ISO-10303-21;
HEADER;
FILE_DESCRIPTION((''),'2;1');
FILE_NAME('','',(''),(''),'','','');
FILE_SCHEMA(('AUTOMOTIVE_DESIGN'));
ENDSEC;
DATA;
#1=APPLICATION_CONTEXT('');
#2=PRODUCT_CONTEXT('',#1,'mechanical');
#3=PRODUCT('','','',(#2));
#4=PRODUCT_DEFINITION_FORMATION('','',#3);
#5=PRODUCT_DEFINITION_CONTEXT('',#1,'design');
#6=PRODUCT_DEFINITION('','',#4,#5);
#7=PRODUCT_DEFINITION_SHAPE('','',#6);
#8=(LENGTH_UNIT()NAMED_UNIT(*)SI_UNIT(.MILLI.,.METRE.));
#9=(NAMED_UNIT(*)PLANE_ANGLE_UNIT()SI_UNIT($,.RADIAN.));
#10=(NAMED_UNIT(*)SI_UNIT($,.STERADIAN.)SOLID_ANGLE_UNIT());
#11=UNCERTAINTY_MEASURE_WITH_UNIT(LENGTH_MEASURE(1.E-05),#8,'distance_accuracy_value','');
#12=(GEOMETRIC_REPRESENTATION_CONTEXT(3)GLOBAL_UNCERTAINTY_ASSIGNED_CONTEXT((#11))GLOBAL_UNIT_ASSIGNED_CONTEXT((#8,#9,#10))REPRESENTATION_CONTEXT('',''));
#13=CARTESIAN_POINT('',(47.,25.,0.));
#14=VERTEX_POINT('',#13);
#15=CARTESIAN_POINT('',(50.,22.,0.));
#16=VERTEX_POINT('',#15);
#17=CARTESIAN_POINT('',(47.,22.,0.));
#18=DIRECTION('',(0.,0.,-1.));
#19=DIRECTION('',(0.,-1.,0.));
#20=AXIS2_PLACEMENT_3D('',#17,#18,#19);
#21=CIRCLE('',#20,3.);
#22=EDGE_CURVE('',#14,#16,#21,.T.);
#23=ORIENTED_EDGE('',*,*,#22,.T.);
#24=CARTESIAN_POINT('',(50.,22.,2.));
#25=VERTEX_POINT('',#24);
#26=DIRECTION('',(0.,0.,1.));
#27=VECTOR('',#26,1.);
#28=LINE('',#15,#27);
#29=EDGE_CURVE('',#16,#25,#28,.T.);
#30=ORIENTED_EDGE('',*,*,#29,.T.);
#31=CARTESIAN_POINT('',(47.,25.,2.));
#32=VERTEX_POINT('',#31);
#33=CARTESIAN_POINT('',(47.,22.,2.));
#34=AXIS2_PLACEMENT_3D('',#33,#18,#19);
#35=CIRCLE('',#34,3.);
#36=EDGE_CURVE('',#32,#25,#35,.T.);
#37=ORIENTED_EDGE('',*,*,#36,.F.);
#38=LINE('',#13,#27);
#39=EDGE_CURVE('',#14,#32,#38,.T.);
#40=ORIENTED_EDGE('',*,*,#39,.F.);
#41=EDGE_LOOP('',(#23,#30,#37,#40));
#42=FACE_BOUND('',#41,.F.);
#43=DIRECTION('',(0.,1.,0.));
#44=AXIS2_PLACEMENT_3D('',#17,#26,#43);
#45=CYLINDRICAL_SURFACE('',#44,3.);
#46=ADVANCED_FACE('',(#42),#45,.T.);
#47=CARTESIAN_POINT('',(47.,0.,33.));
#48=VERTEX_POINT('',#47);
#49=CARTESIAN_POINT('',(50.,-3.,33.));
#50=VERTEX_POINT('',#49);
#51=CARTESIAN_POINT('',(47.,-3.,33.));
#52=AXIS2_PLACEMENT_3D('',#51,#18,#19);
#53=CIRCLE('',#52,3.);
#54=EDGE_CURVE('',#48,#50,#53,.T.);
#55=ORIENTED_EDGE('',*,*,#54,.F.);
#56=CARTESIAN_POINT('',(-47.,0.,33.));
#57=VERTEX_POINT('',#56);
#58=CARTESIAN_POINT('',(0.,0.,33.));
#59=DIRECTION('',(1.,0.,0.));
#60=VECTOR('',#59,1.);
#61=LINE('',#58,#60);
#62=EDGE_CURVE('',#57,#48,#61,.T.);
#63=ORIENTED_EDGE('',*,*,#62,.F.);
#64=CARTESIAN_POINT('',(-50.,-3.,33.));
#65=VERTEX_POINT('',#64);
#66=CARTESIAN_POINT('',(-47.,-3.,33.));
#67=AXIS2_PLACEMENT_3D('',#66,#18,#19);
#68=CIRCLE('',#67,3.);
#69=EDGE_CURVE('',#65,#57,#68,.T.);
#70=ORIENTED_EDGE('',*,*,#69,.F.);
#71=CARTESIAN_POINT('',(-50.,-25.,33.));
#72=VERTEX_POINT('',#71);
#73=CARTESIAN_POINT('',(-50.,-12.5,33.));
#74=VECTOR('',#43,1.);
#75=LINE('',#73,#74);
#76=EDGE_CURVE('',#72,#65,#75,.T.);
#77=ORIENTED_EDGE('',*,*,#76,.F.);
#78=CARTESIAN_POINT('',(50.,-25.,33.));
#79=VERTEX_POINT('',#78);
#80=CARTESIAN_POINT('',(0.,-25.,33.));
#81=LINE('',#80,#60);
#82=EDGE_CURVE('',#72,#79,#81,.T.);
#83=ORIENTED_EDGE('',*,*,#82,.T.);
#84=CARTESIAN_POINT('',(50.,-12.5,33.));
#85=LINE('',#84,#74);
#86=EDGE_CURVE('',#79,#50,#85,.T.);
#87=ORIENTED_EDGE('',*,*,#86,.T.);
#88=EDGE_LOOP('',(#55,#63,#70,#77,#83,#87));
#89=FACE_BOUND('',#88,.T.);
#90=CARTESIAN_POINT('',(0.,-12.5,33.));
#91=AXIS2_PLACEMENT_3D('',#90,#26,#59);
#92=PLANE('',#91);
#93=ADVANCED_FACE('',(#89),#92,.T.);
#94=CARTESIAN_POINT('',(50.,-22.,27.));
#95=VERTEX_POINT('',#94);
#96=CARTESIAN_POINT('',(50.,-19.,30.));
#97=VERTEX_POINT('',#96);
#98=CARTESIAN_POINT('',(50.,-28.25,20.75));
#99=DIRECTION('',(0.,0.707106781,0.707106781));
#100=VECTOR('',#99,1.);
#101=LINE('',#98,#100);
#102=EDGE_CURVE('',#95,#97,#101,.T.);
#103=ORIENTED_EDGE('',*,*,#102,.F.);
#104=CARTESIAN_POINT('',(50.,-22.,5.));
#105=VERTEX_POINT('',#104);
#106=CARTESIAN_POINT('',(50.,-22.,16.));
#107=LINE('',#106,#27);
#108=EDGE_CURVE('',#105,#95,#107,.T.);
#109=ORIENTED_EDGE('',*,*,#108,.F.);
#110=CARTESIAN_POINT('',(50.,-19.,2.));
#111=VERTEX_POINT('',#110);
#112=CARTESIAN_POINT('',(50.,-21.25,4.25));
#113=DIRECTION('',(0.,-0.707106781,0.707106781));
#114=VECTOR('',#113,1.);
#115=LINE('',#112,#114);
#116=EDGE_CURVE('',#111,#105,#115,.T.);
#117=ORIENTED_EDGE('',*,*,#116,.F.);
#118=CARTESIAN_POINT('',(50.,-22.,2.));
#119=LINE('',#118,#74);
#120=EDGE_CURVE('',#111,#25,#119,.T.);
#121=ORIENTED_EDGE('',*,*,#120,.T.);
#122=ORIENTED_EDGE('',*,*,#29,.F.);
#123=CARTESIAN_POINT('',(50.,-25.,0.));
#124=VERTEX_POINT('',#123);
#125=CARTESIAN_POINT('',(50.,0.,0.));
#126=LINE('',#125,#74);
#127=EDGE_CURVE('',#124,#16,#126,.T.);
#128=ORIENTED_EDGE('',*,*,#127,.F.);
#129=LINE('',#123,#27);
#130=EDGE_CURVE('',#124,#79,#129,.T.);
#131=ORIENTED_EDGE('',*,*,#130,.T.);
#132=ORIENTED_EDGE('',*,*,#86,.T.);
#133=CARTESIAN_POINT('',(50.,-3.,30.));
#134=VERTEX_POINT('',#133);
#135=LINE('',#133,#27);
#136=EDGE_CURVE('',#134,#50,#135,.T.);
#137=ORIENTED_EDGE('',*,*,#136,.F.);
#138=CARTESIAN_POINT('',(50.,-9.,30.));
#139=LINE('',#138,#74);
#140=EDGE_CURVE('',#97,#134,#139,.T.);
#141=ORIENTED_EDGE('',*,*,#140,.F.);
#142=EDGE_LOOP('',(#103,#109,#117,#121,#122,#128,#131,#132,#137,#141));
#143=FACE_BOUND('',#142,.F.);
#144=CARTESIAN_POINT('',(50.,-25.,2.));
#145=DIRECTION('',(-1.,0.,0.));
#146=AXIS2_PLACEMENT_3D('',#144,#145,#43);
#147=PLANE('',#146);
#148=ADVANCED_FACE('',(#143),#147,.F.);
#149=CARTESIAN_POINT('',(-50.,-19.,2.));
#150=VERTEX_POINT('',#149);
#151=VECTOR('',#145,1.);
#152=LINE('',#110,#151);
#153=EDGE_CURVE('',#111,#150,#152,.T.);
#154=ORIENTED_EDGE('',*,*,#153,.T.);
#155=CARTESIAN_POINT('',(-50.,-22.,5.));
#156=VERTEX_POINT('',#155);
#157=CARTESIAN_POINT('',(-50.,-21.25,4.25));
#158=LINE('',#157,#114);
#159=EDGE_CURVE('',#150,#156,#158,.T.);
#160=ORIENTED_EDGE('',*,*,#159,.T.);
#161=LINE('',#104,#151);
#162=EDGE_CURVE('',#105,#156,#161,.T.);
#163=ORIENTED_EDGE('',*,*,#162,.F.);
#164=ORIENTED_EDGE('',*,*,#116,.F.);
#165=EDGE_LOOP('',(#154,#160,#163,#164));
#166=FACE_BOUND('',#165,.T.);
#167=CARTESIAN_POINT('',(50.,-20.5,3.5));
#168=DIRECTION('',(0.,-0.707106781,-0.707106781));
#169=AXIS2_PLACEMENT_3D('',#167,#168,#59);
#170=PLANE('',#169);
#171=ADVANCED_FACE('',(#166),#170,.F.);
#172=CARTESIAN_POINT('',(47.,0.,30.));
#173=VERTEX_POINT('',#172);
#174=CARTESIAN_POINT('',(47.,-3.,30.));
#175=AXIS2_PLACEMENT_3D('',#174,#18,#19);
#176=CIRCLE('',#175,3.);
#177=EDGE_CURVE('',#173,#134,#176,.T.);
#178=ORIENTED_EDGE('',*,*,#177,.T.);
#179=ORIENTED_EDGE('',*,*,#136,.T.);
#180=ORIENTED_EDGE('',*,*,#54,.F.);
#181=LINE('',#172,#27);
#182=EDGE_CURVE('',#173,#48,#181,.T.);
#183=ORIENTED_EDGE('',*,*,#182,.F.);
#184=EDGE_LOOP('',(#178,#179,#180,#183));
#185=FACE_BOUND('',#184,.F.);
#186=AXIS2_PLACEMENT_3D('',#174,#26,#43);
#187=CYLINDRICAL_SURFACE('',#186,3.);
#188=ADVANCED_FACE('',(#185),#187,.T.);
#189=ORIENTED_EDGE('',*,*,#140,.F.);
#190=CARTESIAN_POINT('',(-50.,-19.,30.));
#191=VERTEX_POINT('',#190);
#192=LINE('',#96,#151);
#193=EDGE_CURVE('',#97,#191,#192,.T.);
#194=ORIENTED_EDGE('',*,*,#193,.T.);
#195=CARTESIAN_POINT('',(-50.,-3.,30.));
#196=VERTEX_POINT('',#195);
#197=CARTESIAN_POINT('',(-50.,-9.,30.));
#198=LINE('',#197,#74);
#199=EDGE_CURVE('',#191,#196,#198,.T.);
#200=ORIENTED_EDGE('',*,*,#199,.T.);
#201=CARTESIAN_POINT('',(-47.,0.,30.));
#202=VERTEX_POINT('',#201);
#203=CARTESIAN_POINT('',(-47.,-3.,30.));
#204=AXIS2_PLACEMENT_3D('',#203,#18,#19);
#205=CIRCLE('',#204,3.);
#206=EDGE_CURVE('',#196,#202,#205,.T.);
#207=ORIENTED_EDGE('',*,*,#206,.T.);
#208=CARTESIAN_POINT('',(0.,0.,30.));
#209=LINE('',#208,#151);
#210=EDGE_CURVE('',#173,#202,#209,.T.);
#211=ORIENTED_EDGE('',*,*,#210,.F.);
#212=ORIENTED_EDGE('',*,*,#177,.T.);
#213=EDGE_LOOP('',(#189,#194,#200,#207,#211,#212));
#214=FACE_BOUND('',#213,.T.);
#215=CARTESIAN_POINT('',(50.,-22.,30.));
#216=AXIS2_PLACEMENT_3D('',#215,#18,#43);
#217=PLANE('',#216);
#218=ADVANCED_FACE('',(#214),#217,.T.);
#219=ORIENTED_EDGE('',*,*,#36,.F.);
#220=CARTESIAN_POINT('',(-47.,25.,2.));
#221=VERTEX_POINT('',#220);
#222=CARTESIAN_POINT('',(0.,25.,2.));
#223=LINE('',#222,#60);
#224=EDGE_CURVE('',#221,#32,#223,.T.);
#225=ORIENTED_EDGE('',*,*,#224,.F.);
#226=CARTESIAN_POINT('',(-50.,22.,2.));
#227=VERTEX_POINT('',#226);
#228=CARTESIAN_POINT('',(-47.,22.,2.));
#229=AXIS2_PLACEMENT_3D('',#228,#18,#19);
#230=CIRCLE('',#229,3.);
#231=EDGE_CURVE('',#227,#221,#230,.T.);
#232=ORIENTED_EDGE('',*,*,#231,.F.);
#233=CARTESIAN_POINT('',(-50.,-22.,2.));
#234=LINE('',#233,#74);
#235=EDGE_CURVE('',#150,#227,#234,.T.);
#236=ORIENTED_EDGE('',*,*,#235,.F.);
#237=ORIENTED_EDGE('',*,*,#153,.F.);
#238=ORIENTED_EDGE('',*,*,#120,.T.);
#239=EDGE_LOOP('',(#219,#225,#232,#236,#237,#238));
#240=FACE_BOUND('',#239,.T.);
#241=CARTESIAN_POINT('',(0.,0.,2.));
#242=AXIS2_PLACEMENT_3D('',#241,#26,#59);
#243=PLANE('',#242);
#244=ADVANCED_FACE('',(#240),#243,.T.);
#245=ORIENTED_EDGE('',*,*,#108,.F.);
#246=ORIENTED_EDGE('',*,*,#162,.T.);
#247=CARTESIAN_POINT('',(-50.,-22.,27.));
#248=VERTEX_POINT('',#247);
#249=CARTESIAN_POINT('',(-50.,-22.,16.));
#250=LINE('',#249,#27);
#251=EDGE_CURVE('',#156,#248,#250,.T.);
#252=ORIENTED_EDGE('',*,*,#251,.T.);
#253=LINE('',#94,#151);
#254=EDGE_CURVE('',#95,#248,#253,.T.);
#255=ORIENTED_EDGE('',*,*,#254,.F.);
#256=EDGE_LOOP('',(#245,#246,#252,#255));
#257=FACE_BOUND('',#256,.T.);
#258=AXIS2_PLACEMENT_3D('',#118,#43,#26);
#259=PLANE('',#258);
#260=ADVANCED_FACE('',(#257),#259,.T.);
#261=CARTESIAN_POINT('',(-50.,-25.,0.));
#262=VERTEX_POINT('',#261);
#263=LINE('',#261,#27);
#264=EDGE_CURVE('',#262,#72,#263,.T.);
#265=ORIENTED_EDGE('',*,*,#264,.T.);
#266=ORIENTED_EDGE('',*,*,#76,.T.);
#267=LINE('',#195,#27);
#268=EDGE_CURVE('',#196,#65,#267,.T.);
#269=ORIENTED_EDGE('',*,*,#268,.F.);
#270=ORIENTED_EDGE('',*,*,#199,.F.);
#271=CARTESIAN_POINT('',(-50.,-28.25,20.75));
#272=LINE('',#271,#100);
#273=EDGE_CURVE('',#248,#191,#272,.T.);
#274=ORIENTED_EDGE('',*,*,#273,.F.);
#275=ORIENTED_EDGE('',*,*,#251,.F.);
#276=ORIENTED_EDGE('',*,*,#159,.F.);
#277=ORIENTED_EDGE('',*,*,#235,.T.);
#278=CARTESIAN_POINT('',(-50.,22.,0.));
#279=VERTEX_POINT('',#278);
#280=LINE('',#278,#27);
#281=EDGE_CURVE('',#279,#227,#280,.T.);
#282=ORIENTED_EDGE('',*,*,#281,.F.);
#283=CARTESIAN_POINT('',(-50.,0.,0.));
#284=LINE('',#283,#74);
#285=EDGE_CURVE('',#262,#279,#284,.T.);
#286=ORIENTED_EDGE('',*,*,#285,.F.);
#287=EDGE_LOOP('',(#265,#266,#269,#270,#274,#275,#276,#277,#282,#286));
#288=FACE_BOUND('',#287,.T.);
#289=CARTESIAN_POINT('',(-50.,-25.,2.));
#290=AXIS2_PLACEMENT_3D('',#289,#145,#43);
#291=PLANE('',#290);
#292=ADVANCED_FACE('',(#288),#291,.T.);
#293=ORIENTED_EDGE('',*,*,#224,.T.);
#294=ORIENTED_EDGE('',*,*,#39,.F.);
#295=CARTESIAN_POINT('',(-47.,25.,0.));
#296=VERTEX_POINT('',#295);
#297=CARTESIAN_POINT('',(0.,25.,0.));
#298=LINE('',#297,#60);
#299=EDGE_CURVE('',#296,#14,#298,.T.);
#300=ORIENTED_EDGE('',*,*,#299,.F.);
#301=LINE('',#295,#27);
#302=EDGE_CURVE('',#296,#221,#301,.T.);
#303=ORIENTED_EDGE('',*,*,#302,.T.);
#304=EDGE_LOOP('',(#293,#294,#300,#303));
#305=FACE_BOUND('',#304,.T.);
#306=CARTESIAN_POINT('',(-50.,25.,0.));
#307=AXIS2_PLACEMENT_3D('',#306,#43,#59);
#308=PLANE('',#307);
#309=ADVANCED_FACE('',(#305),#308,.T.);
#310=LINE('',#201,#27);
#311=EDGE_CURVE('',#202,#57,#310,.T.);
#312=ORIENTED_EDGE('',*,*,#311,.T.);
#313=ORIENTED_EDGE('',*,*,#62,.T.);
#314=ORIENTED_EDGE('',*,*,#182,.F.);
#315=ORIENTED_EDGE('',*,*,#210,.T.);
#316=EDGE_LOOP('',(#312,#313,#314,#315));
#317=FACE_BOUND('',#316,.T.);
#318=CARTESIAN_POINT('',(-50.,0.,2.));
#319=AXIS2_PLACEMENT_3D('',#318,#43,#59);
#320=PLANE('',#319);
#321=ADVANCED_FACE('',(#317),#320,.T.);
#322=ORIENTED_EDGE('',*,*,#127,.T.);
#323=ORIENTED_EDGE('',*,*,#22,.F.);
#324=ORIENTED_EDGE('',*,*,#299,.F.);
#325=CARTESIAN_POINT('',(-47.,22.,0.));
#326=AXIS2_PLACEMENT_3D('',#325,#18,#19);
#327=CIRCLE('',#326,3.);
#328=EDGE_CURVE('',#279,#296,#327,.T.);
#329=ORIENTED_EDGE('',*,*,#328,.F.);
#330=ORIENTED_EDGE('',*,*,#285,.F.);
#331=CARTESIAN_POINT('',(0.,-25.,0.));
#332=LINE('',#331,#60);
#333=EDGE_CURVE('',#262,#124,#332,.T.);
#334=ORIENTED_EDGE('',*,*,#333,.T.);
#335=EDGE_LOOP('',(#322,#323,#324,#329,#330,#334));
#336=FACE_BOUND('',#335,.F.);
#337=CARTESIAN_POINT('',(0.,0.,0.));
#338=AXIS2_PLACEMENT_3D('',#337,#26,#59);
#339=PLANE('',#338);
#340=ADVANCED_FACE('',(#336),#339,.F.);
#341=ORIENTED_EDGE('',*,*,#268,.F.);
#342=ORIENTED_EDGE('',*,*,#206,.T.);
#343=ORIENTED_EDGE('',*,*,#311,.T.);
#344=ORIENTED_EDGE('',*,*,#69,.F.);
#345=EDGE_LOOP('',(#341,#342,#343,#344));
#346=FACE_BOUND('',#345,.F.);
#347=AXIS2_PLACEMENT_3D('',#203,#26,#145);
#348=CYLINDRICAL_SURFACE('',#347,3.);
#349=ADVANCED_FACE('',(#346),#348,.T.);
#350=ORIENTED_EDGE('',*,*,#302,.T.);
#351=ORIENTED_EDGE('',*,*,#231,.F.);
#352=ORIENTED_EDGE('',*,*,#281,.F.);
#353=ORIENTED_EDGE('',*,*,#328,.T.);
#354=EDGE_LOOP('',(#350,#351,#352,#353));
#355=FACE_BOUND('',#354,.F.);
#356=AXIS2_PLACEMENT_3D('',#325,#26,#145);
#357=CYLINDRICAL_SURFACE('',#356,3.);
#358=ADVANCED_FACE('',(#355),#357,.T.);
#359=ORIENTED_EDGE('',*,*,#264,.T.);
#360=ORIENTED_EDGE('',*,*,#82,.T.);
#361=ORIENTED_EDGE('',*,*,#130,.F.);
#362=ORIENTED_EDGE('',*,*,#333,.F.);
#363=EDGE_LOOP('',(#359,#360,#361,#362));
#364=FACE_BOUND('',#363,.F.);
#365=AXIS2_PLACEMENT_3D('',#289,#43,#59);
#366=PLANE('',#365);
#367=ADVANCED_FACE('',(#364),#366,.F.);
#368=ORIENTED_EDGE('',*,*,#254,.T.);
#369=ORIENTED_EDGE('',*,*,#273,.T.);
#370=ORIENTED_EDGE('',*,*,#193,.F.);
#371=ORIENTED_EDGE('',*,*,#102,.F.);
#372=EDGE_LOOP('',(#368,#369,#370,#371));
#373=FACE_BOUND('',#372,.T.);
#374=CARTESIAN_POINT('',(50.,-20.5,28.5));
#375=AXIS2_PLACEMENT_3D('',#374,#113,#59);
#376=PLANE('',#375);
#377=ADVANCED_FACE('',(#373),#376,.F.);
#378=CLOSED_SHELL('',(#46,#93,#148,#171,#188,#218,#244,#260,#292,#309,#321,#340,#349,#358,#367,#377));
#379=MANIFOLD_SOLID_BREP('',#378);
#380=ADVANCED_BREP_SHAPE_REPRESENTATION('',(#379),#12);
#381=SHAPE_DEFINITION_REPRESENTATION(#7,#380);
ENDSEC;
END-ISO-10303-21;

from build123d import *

# Parameters (mm, degrees)
SKETCH_W     = 100
SKETCH_H     = 50
PAD_DEPTH    = 2
SKETCH001_W  = 100
SKETCH001_H  = 25
PAD001_DEPTH = 31
SKETCH002_W  = 26
SKETCH002_H  = 28
POCKET_DEPTH = 100
CHAMFER_SIZE = 3
FILLET_R     = 3


with BuildPart() as part:
    # Sketch → Pad (new body)
    with BuildSketch(Plane.XY):
        Rectangle(SKETCH_W, SKETCH_H)
    extrude(amount=PAD_DEPTH)

    # Sketch001 (on Face6 of Pad) → Pad001 (join)
    with BuildSketch(Plane.XY.offset(2)):
        with Locations((0, -12.5)):
            Rectangle(SKETCH001_W, SKETCH001_H)
    extrude(amount=PAD001_DEPTH)

    # Sketch002 (on Face8 of Pad001) → Pocket (cut)
    with BuildSketch(Plane.YZ.offset(50)):
        with Locations((-9, 16)):
            Rectangle(SKETCH002_W, SKETCH002_H)
    extrude(amount=-POCKET_DEPTH, mode=Mode.SUBTRACT)

    # Chamfer
    chamfer_edges = [part.edges().sort_by_distance(p)[0] for p in [
        (0, -22, 2),
        (0, -22, 30),
    ]]
    chamfer(chamfer_edges, length=CHAMFER_SIZE)

    # Fillet
    fillet_edges = [part.edges().sort_by_distance(p)[0] for p in [
        (50, 25, 1),
        (-50, 25, 1),
        (-50, 0, 31.5),
        (50, 0, 31.5),
    ]]
    fillet(fillet_edges, radius=FILLET_R)


solid = part.part
